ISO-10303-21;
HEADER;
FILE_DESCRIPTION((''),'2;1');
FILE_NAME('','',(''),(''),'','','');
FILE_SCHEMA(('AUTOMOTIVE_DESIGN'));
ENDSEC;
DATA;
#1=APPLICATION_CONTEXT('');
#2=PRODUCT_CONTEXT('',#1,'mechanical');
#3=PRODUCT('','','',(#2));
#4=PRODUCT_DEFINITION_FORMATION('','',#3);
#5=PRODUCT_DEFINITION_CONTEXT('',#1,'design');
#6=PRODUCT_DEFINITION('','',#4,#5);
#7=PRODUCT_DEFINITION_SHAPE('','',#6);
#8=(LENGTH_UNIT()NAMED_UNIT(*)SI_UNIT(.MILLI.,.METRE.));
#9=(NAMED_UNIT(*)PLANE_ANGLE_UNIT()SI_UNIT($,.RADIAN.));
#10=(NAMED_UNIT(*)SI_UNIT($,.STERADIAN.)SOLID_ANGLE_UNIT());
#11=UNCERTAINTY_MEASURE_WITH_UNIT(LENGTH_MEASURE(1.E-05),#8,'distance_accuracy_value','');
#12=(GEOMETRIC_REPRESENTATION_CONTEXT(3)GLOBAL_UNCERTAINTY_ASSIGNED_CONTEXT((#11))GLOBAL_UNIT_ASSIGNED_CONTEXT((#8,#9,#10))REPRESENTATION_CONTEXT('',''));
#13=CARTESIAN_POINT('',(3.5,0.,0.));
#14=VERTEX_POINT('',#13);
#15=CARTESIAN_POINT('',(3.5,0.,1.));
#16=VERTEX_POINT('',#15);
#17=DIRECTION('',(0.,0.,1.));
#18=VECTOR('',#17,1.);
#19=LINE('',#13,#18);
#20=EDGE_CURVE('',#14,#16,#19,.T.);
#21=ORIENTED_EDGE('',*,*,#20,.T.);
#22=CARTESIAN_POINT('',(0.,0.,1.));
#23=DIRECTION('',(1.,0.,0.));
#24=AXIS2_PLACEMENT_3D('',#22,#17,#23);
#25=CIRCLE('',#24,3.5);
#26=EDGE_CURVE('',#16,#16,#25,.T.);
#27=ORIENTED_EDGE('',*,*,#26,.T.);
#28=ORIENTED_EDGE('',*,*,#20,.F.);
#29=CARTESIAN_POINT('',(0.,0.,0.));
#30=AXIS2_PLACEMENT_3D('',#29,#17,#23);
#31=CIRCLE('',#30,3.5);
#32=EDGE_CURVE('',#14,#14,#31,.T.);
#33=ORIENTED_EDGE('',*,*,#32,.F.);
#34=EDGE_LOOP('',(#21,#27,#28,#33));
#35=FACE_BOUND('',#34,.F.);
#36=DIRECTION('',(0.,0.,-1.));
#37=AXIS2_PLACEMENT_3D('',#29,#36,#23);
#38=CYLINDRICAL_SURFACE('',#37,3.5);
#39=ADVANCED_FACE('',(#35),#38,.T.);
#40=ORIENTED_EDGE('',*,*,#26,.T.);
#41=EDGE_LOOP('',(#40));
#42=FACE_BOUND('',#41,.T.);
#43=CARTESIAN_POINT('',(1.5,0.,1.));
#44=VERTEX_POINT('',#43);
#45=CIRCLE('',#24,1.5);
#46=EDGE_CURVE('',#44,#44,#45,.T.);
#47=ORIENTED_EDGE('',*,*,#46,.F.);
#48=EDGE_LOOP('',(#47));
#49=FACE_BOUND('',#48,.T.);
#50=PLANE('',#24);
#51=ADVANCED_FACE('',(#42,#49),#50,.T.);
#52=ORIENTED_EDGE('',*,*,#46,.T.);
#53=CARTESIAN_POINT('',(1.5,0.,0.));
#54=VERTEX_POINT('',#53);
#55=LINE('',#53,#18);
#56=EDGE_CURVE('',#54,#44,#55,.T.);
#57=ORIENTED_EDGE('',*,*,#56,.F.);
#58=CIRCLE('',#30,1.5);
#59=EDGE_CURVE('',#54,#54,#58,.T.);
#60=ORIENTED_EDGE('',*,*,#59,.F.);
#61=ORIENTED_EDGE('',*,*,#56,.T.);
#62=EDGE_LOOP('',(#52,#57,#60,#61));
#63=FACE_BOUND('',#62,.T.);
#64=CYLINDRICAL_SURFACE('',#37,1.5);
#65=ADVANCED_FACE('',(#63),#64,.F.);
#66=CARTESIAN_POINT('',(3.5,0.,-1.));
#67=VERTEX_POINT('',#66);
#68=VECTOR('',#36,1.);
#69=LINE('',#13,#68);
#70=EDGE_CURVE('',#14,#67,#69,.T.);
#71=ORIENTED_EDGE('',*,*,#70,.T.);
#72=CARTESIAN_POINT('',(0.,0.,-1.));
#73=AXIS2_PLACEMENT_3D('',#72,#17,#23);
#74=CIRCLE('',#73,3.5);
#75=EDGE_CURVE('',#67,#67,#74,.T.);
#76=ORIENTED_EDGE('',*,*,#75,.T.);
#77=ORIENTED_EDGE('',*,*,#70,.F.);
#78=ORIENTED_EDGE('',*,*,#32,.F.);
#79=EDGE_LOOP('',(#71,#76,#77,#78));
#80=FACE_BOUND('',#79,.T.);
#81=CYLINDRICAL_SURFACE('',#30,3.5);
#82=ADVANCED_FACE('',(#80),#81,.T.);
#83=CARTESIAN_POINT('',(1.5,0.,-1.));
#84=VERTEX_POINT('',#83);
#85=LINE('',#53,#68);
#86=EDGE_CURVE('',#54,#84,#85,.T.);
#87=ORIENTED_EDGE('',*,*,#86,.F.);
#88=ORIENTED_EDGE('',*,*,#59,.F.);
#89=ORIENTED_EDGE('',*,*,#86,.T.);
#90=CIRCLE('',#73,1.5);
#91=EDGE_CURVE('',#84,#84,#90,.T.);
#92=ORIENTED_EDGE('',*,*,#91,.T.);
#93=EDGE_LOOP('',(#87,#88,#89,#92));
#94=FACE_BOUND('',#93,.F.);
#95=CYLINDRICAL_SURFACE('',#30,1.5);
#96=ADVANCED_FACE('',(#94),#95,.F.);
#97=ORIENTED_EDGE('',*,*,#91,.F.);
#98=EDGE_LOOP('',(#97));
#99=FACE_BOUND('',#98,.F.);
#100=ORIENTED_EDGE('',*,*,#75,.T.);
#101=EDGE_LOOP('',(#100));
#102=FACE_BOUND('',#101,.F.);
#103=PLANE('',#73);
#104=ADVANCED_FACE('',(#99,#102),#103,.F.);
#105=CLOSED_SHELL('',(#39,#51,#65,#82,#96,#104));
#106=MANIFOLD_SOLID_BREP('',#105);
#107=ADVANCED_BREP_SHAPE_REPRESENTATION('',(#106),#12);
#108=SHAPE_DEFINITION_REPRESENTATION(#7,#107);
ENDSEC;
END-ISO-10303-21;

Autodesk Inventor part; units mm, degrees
ref_plane "YZ Plane" through (0, 0, 0) normal (1, 0, 0) x (0, 1, 0)
ref_plane "XZ Plane" through (0, 0, 0) normal (0, 1, 0) x (-1, 0, 0)
ref_plane "XY Plane" through (0, 0, 0) normal (0, 0, 1) x (1, 0, 0)
sketch "Sketch1" plane through (0, 0, 0) normal (0, 0, 1) x (1, 0, 0)
  circle A0 centre (0, 0) radius 3.5
  circle A1 centre (0, 0) radius 1.5
  dimension "d0" = 7
  dimension "d1" = 3
extrude "Extrusion1" add sketch "Sketch1" along normal mid plane 2
properties part number "Ball Bearing-1" material "Steel, Alloy"
